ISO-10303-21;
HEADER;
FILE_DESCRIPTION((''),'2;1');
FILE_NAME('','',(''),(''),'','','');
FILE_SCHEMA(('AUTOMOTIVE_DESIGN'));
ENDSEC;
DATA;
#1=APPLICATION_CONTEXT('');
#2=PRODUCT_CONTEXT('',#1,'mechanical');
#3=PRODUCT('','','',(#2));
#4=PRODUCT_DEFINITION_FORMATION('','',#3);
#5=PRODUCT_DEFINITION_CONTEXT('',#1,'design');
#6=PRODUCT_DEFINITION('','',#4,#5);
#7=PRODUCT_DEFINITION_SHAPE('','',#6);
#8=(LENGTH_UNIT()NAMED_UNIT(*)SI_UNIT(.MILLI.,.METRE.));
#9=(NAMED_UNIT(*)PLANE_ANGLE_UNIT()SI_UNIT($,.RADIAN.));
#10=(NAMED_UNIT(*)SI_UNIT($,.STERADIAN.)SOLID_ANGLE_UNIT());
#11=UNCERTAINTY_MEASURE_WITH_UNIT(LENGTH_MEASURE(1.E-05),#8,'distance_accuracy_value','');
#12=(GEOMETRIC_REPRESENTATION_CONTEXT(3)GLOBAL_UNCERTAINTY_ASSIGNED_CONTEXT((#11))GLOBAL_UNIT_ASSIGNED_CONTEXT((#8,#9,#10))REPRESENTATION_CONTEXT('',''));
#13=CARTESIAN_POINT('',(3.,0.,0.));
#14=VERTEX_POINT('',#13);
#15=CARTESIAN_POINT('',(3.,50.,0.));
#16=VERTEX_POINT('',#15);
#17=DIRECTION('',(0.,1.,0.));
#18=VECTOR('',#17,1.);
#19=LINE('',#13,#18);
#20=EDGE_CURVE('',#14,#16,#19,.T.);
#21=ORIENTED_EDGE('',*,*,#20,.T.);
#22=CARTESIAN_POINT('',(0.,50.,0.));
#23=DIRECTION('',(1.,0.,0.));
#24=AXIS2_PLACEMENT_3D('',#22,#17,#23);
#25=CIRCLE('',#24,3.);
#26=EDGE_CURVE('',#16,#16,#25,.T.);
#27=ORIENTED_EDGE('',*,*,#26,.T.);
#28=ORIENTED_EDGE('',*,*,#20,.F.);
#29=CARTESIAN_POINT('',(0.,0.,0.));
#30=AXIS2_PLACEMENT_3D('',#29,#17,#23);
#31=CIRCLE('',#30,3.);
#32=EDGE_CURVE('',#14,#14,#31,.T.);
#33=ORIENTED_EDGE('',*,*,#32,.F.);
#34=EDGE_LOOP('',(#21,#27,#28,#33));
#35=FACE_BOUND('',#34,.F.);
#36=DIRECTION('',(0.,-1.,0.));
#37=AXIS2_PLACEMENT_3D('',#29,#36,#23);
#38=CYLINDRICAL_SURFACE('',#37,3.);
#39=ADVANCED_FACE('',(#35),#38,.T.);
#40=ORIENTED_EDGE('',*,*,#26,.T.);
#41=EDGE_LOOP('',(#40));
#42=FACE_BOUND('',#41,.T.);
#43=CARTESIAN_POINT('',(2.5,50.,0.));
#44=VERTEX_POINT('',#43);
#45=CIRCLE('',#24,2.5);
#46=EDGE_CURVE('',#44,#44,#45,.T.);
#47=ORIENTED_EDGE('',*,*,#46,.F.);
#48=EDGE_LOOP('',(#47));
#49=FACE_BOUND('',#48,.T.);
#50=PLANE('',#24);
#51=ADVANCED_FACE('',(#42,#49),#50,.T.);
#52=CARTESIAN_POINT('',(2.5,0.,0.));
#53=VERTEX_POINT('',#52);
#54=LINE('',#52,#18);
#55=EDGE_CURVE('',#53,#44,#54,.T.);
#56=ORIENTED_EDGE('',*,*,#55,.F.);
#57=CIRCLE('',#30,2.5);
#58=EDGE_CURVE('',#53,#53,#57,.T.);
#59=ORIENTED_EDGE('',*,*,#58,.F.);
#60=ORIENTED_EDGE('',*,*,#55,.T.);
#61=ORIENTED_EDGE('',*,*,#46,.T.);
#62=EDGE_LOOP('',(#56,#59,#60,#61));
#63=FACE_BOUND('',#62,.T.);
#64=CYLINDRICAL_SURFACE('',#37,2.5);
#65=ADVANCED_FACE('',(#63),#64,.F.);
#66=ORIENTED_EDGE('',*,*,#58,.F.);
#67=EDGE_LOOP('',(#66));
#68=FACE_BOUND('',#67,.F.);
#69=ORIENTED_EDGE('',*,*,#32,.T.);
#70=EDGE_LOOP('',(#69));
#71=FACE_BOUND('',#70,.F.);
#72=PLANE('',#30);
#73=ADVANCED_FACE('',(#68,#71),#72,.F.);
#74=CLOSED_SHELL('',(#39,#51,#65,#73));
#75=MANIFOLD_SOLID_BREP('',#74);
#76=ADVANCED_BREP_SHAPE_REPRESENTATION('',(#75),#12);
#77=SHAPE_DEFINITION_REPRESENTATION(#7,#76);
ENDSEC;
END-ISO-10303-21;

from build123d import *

# Parameters (mm, degrees)
SKETCH1_R           = 3
SKETCH1_R_2         = 2.5
BOSS_EXTRUDE1_DEPTH = 50


with BuildPart() as part:
    # Sketch1 → Boss-Extrude1 (new body)
    with BuildSketch(Plane(origin=(0, 0, 0), x_dir=(1, 0, 0), z_dir=(0, 1, 0))):
        Circle(SKETCH1_R)
        Circle(SKETCH1_R_2, mode=Mode.SUBTRACT)
    extrude(amount=BOSS_EXTRUDE1_DEPTH)


solid = part.part
